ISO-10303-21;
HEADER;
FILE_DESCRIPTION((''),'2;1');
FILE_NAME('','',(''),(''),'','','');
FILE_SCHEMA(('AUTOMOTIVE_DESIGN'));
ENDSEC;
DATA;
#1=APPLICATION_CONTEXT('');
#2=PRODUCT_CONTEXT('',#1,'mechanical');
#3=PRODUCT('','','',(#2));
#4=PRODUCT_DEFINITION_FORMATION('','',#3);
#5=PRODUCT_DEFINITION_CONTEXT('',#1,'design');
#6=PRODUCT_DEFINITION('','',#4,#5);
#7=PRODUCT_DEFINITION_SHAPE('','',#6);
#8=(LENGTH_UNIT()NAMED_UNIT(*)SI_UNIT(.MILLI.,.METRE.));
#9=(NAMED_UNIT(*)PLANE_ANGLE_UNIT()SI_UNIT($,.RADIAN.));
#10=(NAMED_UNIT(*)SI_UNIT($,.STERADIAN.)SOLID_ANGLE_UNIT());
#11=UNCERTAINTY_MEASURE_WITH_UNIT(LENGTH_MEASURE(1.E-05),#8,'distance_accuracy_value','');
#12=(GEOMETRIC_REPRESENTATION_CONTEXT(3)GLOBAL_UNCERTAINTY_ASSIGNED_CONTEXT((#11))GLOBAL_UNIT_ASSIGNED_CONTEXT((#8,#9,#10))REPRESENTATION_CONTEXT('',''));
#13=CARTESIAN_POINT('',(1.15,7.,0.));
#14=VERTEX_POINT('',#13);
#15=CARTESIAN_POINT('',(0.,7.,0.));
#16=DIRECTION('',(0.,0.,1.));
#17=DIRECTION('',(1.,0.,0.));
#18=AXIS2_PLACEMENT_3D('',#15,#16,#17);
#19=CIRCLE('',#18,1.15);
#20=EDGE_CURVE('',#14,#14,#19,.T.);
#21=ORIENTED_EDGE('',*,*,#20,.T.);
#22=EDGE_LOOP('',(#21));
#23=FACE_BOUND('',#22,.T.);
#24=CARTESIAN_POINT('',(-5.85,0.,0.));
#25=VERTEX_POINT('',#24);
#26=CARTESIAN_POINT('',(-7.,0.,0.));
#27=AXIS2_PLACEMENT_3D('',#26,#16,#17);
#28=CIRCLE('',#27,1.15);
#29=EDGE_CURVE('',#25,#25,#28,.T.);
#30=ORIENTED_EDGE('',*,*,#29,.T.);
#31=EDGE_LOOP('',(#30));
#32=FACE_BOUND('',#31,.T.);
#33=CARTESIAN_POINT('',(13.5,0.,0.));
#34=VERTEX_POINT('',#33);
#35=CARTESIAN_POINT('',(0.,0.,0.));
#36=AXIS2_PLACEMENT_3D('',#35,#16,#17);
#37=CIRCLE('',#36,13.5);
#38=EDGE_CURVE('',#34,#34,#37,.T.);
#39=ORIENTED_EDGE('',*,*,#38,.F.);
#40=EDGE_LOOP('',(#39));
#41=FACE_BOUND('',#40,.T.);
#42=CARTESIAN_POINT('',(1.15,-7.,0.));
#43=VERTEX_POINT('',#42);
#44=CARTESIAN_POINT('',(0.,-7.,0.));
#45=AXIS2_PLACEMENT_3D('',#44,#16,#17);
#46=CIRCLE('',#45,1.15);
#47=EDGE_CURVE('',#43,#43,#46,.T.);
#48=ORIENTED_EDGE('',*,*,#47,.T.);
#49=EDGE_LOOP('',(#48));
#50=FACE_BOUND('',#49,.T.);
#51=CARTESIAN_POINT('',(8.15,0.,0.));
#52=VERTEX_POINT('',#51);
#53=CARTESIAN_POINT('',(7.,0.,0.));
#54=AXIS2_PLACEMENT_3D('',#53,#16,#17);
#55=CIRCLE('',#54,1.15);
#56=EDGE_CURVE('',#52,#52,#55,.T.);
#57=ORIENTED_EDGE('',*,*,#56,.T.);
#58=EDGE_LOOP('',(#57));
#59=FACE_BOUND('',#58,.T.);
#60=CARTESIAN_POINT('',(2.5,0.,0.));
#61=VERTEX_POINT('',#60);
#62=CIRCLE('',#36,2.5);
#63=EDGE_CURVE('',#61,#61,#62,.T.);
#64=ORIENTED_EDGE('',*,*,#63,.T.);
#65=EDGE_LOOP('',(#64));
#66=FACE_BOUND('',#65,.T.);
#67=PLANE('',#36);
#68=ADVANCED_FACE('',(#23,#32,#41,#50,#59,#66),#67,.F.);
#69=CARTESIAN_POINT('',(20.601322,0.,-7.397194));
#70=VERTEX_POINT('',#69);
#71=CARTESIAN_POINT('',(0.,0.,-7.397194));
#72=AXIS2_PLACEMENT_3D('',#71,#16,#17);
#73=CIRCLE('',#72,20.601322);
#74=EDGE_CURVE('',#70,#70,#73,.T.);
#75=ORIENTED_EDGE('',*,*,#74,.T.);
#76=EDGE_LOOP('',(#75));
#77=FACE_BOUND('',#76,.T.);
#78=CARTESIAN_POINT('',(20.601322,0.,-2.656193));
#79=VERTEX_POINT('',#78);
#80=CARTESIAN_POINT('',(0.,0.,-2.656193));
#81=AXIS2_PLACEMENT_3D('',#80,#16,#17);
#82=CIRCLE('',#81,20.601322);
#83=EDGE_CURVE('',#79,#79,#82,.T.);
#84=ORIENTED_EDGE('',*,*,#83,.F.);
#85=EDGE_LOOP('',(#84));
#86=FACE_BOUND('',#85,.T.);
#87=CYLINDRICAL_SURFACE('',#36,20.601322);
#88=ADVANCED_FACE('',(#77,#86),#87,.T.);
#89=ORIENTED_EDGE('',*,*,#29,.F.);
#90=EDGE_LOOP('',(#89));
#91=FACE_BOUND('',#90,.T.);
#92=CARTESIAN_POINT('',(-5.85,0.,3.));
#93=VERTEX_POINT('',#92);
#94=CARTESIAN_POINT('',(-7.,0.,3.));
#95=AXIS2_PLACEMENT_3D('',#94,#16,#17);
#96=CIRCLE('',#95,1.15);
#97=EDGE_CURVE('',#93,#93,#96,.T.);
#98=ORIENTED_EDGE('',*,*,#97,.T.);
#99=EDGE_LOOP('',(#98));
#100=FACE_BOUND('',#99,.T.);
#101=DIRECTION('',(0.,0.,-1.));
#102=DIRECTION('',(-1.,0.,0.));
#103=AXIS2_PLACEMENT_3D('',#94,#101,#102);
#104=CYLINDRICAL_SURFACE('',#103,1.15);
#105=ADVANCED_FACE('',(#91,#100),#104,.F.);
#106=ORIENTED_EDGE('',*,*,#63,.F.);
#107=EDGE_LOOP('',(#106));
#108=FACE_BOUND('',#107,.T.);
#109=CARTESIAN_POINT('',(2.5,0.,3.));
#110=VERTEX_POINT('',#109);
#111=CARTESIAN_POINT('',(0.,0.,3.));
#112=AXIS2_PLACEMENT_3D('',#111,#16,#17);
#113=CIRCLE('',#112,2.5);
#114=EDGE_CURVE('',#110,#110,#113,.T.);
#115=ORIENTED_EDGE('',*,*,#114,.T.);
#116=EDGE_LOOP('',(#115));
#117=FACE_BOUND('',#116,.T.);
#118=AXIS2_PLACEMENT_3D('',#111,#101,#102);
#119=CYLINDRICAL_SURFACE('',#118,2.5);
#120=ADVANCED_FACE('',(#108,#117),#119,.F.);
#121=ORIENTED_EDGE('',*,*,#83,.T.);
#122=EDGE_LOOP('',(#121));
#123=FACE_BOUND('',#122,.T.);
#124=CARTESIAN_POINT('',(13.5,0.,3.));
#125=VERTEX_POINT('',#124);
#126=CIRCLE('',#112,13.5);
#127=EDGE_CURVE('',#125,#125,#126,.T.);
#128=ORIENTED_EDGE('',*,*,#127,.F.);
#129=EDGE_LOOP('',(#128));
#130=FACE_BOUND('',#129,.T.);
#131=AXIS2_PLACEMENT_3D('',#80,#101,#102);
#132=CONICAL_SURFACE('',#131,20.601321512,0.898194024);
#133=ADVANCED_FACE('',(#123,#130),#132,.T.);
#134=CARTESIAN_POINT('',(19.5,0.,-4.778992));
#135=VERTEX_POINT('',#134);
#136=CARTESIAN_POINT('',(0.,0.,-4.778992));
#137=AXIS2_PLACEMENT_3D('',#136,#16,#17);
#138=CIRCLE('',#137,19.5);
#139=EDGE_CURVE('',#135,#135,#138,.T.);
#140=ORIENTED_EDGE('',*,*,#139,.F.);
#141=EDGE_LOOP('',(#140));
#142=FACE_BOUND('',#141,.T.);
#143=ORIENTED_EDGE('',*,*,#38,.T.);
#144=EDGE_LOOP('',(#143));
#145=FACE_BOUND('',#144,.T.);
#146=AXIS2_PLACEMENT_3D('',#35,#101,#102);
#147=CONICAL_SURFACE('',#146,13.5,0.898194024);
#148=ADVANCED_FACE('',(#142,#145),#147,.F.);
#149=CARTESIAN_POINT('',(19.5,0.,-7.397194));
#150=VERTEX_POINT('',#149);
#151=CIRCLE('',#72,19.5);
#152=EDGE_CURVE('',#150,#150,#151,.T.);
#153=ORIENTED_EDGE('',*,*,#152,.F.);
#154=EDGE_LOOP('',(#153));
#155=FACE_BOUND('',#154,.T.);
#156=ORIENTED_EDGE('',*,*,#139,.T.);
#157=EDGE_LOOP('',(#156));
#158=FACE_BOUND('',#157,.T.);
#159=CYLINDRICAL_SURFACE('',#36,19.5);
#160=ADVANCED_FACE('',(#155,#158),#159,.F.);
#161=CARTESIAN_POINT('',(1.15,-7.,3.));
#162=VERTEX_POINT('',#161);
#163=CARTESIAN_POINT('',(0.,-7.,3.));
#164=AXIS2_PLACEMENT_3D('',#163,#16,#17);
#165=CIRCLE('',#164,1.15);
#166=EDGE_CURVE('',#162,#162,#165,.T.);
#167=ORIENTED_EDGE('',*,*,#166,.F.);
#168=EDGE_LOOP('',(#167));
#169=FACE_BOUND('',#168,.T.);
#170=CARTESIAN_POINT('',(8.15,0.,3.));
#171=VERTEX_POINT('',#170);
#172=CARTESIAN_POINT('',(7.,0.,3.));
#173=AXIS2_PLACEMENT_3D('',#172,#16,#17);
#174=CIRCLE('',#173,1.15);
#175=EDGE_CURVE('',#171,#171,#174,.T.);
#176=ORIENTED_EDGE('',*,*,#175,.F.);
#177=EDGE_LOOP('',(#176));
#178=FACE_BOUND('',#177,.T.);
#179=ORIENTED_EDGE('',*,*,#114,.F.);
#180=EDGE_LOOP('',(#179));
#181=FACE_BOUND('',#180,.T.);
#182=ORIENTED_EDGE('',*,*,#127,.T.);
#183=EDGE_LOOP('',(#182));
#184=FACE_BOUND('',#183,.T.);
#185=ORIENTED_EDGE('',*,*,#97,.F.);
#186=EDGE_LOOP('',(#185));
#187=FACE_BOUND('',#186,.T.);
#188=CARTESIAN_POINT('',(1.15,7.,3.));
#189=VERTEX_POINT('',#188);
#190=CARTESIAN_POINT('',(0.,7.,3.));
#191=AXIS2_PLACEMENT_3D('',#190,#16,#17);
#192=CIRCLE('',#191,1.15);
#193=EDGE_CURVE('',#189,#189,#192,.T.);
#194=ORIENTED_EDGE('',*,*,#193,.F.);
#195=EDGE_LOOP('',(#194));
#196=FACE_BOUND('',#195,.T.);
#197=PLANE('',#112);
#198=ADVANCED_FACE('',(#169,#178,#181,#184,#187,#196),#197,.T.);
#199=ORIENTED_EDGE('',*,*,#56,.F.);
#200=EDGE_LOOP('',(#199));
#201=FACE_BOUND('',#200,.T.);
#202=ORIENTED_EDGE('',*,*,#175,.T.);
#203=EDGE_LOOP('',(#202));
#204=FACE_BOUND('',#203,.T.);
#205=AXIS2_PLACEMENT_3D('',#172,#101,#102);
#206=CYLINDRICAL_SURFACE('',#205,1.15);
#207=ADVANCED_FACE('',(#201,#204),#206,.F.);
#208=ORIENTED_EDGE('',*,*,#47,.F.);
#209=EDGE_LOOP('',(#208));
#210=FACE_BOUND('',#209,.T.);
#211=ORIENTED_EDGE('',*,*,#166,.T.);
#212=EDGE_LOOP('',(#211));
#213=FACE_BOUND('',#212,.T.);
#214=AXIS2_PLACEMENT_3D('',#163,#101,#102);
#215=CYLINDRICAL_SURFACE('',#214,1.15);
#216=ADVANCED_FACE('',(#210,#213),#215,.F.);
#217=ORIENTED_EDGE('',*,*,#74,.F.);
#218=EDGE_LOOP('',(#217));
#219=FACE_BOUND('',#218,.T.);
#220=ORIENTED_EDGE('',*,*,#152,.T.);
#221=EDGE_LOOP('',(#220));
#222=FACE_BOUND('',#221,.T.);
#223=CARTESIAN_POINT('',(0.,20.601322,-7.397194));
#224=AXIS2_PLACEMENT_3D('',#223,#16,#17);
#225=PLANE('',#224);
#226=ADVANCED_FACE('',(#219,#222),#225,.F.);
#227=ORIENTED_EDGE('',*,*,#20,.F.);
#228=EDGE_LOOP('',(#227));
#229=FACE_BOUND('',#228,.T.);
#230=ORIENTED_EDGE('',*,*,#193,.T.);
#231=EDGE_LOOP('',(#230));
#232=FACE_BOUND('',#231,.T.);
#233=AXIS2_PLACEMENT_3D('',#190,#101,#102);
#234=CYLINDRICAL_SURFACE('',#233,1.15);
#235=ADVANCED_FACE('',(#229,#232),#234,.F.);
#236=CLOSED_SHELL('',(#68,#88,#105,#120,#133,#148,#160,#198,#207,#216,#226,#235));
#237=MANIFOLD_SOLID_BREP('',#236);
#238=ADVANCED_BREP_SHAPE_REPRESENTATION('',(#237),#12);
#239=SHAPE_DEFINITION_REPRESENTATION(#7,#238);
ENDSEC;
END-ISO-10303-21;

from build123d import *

# Parameters (mm, degrees)
SKETCH_1_R      = 13.5
SKETCH_1_R_2    = 1.15
SKETCH_1_R_3    = 2.5
EXTRUDE_1_DEPTH = 3


with BuildPart() as part:
    # 草图1 → 凸台-拉伸1 (new body)
    with BuildSketch(Plane.XY):
        Circle(SKETCH_1_R)
        with Locations((0, 7)):
            Circle(SKETCH_1_R_2, mode=Mode.SUBTRACT)
        with Locations((0, -7)):
            Circle(SKETCH_1_R_2, mode=Mode.SUBTRACT)
        with Locations((7, 0)):
            Circle(SKETCH_1_R_2, mode=Mode.SUBTRACT)
        with Locations((-7, 0)):
            Circle(SKETCH_1_R_2, mode=Mode.SUBTRACT)
        Circle(SKETCH_1_R_3, mode=Mode.SUBTRACT)
    extrude(amount=EXTRUDE_1_DEPTH)

    # 草图2 → 旋转1 (revolve)
    with BuildSketch(Plane(origin=(0, 0, 0), x_dir=(0, 0, -1), z_dir=(1, 0, 0)), mode=Mode.PRIVATE) as revolve_1_sk:
        Polygon((-3, 13.5), (2.656192764, 20.601321512), (7.39719448, 20.601321512), (7.39719448, 19.5), (4.778991703, 19.5), (0, 13.5), align=None)
    revolve(revolve_1_sk.sketch.rotate(Axis((0, 0, 0), (0, 0, -1)), 90), axis=Axis((0, 0, 0), (0, 0, -1)))


solid = part.part
